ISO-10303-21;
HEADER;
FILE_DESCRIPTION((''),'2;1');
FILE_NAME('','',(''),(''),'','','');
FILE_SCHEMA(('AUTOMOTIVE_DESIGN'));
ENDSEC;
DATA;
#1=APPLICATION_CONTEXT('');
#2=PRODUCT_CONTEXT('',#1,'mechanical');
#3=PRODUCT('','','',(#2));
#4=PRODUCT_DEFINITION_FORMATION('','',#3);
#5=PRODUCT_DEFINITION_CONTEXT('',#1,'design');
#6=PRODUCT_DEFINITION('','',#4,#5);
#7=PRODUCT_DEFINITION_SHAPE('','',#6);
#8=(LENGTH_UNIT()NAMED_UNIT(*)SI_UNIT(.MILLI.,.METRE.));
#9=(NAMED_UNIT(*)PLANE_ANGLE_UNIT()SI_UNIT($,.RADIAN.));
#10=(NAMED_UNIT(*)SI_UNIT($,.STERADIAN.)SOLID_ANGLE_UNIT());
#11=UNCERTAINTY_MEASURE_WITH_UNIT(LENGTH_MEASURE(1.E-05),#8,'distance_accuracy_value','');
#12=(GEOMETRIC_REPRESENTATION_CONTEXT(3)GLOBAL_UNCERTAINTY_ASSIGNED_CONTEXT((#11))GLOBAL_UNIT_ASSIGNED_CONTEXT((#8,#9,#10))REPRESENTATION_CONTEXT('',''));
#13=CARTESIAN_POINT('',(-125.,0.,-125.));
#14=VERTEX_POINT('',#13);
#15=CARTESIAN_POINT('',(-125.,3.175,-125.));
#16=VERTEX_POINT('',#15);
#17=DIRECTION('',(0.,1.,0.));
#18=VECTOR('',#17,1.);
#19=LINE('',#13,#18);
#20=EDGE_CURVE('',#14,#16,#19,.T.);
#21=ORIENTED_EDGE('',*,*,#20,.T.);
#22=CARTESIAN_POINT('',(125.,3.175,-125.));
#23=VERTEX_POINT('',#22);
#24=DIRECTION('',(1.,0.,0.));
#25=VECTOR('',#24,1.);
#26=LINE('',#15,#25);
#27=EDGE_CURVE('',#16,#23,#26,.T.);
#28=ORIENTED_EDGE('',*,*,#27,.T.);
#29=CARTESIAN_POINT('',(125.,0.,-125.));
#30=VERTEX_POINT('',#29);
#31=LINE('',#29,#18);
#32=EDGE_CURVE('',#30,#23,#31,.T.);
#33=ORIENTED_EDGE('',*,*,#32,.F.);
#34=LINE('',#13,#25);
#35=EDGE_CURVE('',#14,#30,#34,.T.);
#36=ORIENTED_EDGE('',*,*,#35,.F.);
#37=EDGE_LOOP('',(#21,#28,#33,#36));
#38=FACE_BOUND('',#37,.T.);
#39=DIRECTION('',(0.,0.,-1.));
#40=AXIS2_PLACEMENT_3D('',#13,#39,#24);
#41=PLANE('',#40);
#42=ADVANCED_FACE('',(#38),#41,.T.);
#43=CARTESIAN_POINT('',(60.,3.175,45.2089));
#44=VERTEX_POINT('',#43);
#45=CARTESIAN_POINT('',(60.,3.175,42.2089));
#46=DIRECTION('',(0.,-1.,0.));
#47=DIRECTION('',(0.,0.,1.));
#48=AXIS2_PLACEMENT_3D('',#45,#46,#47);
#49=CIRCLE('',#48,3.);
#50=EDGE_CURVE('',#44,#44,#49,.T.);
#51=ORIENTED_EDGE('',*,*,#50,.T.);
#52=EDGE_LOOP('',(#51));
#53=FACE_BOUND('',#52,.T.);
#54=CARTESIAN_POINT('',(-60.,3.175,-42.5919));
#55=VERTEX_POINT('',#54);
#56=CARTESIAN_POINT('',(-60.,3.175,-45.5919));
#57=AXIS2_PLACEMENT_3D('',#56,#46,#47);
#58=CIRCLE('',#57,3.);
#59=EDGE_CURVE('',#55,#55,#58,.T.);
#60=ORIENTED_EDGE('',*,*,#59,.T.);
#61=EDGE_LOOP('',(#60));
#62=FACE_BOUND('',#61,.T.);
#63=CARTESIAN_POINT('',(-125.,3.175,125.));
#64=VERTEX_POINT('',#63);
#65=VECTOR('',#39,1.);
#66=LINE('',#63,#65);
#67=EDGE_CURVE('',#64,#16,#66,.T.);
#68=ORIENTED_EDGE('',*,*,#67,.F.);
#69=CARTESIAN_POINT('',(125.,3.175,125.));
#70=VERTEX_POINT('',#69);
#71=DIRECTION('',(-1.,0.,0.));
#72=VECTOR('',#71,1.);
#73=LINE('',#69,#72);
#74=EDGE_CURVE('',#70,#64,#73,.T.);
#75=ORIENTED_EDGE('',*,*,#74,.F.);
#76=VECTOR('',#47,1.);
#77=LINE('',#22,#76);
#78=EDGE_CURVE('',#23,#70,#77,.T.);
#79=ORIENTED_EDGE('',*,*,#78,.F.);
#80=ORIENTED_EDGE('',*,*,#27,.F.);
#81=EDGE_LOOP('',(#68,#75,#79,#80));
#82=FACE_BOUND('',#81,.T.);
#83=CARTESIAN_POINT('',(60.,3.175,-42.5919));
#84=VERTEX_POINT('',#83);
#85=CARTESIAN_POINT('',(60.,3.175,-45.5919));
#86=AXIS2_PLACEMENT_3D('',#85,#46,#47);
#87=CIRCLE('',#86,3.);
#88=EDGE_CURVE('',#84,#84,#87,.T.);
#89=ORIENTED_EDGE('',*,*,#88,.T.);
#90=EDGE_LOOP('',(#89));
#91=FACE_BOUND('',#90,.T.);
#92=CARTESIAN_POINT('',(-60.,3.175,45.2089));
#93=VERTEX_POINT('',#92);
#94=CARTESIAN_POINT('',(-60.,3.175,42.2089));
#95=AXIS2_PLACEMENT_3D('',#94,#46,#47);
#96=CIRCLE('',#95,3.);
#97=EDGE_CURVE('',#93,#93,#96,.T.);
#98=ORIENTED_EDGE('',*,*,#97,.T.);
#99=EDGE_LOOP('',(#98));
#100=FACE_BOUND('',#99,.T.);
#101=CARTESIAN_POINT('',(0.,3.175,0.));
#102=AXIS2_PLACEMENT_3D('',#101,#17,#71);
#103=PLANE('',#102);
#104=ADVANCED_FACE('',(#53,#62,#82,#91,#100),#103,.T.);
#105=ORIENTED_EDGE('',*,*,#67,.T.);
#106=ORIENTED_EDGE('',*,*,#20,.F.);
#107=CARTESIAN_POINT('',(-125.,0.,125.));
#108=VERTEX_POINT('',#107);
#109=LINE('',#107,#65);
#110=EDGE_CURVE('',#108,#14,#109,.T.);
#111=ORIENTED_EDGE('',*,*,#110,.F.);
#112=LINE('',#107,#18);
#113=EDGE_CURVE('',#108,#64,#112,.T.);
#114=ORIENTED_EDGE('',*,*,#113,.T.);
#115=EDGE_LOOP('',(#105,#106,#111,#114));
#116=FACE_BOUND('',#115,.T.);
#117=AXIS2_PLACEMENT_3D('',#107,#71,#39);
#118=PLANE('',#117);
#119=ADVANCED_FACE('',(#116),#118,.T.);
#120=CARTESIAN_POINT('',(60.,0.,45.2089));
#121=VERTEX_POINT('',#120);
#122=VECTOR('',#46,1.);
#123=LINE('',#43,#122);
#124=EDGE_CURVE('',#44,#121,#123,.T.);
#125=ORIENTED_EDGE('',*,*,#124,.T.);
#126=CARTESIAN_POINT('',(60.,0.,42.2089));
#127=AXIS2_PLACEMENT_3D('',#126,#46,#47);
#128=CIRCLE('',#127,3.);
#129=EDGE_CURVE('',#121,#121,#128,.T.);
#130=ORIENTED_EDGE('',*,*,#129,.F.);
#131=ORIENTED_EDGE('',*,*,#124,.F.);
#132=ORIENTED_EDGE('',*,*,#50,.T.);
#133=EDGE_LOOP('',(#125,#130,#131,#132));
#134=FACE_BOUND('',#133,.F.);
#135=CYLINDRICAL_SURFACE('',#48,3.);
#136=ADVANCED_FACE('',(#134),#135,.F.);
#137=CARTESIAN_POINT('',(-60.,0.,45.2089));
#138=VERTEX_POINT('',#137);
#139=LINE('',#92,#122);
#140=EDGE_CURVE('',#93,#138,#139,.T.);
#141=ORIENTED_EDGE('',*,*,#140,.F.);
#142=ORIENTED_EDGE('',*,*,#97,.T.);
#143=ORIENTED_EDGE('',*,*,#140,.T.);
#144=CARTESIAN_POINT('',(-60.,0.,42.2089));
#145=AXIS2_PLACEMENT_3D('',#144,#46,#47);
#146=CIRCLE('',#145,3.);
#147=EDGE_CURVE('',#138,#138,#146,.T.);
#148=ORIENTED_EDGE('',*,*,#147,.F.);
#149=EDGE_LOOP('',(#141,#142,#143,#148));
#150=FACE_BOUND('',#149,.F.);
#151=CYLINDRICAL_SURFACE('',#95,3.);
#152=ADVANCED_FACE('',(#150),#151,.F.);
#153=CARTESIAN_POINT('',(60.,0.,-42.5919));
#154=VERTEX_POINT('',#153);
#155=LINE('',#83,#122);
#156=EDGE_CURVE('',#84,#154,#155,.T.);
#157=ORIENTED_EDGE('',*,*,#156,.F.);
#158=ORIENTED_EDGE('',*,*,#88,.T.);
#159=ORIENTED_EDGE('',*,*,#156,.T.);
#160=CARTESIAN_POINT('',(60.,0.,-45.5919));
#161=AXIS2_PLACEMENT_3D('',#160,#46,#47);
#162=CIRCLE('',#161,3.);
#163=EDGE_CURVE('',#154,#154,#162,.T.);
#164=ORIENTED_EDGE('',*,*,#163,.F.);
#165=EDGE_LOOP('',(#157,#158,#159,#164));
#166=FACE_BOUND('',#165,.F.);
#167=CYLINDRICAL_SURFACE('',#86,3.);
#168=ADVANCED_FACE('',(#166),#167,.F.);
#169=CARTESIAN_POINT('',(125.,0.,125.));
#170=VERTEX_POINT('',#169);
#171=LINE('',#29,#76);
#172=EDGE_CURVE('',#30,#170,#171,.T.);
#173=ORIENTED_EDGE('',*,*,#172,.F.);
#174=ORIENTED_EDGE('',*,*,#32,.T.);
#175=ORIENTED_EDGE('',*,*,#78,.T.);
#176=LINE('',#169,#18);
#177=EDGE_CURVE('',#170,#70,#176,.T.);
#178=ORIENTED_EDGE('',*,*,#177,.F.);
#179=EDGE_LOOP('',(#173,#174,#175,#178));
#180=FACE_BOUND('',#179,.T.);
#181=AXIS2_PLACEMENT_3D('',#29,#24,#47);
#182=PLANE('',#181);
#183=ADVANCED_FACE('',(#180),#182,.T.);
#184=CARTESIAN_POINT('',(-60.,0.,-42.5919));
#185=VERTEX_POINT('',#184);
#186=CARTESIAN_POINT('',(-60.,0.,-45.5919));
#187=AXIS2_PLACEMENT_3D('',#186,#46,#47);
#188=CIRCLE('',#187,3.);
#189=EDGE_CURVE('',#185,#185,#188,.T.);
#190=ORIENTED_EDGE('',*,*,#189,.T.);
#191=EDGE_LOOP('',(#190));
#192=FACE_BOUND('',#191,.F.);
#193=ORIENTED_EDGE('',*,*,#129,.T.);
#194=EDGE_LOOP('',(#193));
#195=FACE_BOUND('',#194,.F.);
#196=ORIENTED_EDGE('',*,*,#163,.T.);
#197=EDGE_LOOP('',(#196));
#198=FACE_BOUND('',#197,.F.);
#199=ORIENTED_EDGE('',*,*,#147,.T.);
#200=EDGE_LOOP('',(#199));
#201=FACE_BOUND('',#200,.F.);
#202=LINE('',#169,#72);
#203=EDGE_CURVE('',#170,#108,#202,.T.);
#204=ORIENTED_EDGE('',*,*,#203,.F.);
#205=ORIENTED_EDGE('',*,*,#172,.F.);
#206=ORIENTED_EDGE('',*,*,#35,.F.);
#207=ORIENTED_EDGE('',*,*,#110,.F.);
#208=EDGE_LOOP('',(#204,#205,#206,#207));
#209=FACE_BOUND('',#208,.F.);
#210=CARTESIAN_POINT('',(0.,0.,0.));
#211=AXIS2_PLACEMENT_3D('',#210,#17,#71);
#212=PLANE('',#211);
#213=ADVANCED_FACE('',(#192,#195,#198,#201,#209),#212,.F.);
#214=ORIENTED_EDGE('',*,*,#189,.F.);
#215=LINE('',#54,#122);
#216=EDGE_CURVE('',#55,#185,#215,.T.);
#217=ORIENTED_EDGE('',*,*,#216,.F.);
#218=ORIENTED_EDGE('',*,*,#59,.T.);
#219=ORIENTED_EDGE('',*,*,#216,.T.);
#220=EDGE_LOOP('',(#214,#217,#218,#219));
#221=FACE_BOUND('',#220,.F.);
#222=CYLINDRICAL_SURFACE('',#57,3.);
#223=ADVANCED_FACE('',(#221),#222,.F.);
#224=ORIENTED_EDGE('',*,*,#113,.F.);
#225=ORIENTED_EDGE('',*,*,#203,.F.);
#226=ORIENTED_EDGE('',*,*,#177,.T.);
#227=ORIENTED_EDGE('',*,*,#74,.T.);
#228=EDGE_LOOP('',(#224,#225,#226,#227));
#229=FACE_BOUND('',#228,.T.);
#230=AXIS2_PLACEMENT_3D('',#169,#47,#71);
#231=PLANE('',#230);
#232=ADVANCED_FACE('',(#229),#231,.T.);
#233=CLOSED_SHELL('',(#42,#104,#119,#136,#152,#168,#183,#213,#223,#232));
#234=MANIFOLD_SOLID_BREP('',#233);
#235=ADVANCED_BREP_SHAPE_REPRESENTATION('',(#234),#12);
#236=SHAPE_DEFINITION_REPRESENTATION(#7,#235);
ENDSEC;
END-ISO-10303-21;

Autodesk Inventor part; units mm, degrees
ref_plane "YZ Plane" through (0, 0, 0) normal (1, 0, 0) x (0, 1, 0)
ref_plane "XZ Plane" through (0, 0, 0) normal (0, 1, 0) x (-1, 0, 0)
ref_plane "XY Plane" through (0, 0, 0) normal (0, 0, 1) x (1, 0, 0)
sketch "Sketch1" plane through (0, 0, 0) normal (0, 1, 0) x (-1, 0, 0)
  line L0 (-125, 125) -> (125, 125)
  line L1 (125, 125) -> (125, -125)
  line L2 (125, -125) -> (-125, -125)
  line L3 (-125, -125) -> (-125, 125)
  line L4 (175, 0) -> (-175, 0) construction
  line L5 (0, -175) -> (0, 175) construction
  point P0 (0, 0)
  dimension "d0" = 250
  dimension "d1" = 250
extrude "Extrusion1" add sketch "Sketch1" along normal blind 3.175
sketch "Sketch2" plane through (0, 3.175, 0) normal (0, 1, 0) x (1, 0, 0)
  line L0 (0, 175) -> (0, -175) construction
  line L1 (175, 0) -> (-175, 0) construction
  line L2 (125, 125) -> (-125, 125) projected
  line L3 (60, -42.2089) -> (-60, -42.2089) construction
  line L4 (60, 45.5919) -> (-60, 45.5919) construction
  point P0 (0, 0)
  dimension "d4" = 79.4081
  dimension "d5" = 87.8008
  dimension "d6" = 120
hole "Hole1" at (60, 3.175, -45.5919) at (-60, 3.175, -45.5919) at (60, 3.175, 42.2089) at (-60, 3.175, 42.2089) direction (0, -1, 0) diameter 6 end through all
properties part number "Pedalbox_V2_Floor"
